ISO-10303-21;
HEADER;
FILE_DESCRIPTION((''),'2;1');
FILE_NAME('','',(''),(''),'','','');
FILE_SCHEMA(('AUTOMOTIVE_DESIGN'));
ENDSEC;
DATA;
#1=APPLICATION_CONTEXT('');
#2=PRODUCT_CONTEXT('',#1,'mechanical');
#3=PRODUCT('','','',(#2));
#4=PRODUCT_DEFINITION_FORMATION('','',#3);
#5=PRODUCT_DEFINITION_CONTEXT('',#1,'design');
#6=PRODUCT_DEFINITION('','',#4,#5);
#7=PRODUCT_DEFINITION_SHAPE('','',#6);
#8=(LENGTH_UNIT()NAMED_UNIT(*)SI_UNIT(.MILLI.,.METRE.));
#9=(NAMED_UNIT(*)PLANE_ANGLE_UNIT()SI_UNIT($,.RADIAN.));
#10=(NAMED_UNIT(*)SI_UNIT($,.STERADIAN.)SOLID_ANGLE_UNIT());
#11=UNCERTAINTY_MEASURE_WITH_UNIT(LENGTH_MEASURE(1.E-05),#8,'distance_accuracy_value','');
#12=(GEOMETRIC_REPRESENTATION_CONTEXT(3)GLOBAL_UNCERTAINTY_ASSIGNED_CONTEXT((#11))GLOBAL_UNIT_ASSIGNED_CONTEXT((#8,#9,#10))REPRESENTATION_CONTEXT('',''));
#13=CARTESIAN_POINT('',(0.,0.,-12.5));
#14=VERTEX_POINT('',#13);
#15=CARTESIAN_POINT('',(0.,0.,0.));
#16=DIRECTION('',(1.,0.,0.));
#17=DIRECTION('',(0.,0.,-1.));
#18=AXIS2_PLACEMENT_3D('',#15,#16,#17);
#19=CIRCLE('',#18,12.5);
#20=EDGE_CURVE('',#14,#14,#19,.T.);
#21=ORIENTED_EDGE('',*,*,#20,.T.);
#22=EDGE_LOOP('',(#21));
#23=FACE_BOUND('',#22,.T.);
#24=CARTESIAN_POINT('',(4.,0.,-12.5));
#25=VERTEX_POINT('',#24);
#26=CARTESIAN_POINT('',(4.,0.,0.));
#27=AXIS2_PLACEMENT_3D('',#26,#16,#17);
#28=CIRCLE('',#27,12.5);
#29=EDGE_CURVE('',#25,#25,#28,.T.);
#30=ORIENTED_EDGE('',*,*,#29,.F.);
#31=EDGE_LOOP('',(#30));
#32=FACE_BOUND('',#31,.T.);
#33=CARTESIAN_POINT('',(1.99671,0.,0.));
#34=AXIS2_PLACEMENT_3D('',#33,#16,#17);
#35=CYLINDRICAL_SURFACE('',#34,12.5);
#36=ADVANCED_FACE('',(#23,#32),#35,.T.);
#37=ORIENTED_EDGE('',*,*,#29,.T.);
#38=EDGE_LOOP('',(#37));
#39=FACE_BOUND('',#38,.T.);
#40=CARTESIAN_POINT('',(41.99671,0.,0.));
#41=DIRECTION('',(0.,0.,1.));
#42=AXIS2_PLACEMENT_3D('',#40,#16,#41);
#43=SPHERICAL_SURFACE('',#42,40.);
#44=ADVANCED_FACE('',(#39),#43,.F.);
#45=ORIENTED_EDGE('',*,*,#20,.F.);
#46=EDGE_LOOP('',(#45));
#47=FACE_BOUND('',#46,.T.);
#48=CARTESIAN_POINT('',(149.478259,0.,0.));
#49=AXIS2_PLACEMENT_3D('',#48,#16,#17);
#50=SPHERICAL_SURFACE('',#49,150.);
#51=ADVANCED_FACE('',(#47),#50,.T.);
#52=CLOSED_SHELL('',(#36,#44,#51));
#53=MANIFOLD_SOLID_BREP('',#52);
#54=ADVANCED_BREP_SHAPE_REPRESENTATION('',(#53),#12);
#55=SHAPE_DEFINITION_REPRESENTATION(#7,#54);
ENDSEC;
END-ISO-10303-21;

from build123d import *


with BuildPart() as part:
    # Esquisse11 → Révolution3 (revolve)
    with BuildSketch(Plane(origin=(0, 0, 0), x_dir=(1, 0, 0), z_dir=(0, 1, 0)), mode=Mode.PRIVATE) as r_volution3_sk:
        with BuildLine():
            Line((4, -12.5), (0, -12.5))
            ThreePointArc((0, -12.5), (-0.391248773, -6.255441898), (-0.521740711, 0))
            Line((-0.521740711, 0), (1.996710384, 0))
            ThreePointArc((1.996710384, 0), (2.500707957, -6.329754523), (4, -12.5))
        make_face()
    revolve(r_volution3_sk.sketch.rotate(Axis((1.996710384, 0, 0), (-1, 0, 0)), 180), axis=Axis((1.996710384, 0, 0), (-1, 0, 0)))


solid = part.part
